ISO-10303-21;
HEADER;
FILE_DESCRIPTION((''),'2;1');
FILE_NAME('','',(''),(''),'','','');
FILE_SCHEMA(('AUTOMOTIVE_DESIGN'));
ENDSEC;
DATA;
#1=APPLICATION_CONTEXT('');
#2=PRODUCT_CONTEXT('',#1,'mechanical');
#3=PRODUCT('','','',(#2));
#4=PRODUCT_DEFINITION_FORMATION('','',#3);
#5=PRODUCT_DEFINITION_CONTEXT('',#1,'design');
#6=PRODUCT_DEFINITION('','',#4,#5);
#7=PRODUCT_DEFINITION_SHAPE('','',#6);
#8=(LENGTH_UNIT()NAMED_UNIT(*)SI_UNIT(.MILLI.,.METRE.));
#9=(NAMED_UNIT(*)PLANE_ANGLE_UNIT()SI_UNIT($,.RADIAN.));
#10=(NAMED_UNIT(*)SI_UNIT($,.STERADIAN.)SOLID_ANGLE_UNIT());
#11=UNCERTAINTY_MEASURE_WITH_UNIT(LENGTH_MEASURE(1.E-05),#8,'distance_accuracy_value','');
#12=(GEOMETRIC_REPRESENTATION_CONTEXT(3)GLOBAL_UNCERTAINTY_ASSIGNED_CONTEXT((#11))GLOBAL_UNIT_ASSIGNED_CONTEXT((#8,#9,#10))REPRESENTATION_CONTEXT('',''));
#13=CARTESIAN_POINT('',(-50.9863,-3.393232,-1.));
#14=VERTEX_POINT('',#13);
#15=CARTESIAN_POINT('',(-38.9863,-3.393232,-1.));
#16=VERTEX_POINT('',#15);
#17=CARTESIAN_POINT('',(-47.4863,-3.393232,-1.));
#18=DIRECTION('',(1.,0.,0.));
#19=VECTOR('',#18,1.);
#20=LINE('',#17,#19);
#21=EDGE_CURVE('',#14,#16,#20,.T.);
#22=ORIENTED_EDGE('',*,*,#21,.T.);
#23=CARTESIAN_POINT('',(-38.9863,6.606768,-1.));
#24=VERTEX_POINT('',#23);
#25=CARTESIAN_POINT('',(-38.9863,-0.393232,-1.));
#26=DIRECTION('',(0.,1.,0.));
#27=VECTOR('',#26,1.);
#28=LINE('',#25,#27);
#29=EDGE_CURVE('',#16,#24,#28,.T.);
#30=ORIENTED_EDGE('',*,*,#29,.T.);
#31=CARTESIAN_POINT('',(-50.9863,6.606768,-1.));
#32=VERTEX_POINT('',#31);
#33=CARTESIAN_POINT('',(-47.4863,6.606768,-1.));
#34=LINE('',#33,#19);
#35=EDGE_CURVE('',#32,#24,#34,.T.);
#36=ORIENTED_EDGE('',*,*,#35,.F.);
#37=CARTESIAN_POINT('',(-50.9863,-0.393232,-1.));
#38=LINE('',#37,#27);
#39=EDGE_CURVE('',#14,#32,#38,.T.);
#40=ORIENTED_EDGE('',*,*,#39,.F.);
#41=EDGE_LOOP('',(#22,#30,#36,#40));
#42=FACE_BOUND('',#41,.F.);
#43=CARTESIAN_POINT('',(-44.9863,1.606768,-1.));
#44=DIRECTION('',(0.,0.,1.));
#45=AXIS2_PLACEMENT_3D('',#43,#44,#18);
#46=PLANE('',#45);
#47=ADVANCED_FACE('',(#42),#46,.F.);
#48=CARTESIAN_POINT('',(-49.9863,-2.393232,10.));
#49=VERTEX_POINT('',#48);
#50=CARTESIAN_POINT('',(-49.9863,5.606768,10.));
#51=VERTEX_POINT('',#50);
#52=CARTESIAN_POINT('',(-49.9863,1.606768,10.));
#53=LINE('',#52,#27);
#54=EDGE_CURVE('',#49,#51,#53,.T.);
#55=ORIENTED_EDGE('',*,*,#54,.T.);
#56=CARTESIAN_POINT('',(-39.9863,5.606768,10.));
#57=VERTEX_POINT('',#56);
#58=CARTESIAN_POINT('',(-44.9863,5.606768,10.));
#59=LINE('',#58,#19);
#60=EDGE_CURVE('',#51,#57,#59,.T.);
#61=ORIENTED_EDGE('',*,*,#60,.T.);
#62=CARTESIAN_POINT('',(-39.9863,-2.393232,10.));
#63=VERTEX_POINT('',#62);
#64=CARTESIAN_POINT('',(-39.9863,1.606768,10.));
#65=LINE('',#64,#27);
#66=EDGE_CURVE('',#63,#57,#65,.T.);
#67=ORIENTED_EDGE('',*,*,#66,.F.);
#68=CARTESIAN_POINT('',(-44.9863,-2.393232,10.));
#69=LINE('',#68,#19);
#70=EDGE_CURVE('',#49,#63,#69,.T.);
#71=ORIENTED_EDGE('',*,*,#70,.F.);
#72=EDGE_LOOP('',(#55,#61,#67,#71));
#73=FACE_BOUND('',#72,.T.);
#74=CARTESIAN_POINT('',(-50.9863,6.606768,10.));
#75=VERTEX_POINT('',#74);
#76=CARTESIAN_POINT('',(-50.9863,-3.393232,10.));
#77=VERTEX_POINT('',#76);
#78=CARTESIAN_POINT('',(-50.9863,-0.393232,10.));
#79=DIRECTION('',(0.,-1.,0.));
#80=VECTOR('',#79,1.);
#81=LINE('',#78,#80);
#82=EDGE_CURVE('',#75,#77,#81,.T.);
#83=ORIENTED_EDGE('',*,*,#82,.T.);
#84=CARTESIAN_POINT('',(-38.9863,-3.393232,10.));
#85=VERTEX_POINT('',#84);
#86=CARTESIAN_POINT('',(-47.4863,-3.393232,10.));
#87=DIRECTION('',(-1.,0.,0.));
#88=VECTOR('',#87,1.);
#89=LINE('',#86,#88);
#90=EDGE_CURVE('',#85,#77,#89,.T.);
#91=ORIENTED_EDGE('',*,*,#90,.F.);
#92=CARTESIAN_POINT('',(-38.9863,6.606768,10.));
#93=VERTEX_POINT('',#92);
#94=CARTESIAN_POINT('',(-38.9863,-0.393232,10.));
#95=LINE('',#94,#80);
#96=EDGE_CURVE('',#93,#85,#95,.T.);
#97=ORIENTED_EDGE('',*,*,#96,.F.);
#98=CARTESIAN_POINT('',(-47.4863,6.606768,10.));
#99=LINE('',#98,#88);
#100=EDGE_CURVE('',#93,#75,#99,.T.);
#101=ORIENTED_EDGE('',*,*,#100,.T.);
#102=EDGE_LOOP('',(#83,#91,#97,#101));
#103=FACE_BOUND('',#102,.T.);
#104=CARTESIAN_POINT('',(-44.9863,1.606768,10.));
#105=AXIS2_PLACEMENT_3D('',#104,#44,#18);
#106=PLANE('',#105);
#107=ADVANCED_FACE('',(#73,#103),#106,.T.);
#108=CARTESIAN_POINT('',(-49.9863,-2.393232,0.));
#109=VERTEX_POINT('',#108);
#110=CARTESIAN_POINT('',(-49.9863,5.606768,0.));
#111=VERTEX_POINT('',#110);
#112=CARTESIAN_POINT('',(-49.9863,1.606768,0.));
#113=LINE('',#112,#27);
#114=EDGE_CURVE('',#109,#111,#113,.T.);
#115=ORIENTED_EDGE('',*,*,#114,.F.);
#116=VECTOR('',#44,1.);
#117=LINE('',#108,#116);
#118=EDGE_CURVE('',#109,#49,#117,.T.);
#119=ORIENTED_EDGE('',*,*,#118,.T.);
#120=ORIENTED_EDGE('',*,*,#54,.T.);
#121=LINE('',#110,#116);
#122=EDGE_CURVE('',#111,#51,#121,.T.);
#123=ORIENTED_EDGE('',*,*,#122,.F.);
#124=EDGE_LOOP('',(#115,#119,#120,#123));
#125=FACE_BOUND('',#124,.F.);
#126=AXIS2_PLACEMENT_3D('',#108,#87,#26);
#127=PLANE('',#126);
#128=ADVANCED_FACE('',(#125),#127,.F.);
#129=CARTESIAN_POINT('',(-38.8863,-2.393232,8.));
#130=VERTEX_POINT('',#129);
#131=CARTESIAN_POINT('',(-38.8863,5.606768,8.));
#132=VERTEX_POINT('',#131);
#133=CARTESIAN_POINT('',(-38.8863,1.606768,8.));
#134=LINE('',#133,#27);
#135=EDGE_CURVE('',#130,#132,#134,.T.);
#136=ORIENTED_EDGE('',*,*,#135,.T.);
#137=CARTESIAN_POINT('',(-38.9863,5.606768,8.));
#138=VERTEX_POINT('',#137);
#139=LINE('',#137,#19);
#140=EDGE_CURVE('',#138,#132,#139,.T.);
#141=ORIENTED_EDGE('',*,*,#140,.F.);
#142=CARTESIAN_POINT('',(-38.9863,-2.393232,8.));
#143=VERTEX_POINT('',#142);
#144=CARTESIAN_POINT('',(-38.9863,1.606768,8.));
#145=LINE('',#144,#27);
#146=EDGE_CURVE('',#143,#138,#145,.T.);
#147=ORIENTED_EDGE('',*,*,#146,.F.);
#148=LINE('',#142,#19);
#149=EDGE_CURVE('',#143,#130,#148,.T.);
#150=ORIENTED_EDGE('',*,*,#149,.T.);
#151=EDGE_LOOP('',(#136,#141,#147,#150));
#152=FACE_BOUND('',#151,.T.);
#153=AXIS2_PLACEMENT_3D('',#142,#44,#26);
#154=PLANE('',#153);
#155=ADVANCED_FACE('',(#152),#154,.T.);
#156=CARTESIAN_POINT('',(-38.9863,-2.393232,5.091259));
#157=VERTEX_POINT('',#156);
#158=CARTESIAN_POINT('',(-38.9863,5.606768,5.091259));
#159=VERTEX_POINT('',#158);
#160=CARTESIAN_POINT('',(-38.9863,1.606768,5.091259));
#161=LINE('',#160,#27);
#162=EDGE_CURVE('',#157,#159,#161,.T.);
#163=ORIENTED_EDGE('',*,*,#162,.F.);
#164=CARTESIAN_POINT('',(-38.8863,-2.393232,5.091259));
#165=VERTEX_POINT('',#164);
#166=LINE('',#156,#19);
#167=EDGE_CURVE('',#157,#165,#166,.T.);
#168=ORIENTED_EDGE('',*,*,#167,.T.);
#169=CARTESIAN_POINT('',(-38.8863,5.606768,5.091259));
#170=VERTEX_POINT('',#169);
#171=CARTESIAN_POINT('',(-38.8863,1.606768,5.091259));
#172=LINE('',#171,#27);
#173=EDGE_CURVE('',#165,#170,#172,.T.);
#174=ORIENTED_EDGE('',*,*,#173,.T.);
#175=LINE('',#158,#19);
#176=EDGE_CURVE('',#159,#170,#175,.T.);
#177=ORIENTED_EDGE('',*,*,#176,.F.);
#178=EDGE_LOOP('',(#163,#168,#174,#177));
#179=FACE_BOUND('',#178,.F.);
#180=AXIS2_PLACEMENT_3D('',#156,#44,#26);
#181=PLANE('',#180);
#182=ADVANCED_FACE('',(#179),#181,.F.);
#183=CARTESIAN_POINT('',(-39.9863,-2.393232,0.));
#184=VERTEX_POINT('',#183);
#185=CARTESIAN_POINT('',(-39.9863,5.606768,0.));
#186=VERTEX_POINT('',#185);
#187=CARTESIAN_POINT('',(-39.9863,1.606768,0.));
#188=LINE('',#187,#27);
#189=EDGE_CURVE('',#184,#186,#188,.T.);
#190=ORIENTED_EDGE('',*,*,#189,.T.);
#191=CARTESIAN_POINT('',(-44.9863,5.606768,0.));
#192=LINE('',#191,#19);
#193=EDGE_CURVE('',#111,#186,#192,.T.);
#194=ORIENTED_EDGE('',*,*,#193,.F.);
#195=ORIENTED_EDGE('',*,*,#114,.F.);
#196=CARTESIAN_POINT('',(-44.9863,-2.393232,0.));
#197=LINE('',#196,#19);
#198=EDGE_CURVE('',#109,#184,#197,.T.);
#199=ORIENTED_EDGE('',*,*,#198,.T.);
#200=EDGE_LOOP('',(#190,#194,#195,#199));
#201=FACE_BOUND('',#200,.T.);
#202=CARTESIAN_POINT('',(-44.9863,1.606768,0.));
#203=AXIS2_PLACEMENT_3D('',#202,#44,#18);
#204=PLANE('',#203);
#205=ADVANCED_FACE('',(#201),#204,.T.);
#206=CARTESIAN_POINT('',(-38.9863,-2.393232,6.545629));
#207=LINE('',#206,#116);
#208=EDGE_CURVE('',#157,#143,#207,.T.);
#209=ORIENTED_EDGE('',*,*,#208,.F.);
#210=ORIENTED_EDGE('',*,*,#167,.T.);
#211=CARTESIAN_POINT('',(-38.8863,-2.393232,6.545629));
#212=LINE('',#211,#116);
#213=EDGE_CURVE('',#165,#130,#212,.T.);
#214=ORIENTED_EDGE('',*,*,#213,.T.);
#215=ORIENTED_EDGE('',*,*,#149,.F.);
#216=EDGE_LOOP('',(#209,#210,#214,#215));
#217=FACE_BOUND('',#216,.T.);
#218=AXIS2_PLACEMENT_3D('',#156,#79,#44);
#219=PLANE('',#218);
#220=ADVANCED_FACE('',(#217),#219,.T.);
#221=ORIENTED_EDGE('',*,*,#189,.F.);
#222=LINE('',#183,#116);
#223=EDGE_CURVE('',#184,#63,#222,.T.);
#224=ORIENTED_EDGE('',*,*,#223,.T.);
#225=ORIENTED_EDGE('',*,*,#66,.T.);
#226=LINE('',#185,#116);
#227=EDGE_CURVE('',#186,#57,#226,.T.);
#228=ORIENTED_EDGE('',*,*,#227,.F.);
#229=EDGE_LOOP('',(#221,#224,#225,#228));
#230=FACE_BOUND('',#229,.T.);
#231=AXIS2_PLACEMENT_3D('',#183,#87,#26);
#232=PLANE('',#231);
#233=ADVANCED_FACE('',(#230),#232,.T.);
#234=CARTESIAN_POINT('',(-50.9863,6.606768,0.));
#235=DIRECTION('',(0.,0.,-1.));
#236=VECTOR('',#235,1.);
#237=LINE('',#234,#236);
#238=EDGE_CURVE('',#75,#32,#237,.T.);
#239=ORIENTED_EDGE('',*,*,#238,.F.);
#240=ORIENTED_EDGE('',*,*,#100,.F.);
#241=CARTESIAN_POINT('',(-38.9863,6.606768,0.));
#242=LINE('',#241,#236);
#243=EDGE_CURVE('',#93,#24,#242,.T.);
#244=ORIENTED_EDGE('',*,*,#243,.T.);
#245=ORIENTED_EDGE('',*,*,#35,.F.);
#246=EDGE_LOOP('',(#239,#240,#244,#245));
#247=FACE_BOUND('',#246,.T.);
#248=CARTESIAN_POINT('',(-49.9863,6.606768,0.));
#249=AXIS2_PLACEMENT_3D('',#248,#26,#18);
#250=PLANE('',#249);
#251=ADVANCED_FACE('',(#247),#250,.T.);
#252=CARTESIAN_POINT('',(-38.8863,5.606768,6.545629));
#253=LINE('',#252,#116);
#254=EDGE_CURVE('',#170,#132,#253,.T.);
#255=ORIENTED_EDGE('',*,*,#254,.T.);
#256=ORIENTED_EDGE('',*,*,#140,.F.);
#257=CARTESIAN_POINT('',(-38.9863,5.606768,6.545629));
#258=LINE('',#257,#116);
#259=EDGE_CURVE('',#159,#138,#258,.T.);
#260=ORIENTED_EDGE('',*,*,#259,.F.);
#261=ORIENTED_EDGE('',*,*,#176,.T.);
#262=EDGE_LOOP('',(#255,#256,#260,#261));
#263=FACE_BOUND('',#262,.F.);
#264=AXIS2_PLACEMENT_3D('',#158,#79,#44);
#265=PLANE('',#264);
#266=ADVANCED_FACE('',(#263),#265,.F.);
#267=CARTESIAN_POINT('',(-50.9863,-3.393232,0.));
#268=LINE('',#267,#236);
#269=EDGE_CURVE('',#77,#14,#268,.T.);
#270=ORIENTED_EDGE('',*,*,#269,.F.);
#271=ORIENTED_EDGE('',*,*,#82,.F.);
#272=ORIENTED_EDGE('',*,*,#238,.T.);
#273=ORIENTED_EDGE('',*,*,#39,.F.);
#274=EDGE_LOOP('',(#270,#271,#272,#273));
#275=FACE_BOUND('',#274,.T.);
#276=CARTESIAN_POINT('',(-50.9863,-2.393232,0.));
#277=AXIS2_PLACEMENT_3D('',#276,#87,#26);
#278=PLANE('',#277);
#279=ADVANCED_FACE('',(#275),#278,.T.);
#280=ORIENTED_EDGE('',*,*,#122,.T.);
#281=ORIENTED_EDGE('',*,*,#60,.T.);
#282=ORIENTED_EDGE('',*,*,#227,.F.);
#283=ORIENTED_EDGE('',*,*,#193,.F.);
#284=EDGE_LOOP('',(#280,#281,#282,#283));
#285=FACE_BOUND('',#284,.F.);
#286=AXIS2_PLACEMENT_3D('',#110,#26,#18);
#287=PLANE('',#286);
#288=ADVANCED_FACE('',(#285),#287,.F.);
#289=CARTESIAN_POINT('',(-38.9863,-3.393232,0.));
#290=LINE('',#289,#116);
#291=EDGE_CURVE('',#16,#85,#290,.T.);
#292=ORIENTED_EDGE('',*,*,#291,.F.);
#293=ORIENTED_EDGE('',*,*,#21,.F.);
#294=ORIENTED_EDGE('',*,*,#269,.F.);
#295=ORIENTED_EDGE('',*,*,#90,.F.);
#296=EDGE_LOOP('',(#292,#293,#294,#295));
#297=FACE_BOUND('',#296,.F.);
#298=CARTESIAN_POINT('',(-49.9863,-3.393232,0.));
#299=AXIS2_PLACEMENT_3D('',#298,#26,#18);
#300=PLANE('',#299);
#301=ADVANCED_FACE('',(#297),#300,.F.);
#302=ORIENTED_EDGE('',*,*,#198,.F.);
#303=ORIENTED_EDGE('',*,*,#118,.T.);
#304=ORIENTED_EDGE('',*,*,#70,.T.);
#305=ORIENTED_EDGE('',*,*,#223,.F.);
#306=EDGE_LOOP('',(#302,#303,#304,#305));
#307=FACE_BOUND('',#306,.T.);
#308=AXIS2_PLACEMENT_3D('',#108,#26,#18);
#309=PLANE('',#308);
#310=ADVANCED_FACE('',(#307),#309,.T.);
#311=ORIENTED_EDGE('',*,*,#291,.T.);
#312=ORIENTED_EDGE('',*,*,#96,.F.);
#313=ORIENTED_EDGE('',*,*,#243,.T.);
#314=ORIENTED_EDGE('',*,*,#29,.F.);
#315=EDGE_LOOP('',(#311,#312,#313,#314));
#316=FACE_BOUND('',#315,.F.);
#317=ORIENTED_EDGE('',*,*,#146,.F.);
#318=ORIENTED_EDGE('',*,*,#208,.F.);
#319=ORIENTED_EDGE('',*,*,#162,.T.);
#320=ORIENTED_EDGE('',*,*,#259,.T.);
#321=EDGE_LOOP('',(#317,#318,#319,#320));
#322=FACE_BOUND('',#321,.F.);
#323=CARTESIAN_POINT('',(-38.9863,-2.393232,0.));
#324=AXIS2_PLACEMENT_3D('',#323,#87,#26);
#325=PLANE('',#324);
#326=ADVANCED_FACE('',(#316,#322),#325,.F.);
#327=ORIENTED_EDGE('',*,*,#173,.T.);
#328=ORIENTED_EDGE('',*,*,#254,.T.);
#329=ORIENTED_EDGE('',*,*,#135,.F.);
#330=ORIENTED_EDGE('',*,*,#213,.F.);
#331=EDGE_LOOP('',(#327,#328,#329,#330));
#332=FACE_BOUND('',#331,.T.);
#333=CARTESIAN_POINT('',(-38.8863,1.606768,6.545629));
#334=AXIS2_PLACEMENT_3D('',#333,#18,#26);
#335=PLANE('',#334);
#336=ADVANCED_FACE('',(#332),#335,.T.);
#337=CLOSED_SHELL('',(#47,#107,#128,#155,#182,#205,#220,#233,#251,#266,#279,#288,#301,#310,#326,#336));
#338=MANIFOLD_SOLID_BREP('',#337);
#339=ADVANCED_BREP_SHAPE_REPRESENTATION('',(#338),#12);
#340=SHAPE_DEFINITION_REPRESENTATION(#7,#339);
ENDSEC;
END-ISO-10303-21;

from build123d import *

# Parameters (mm, degrees)
F0_W     = 10
F0_H     = 8
F1_DEPTH = 10
F2_T     = 1
F3_W     = 8
F3_H     = 2.908741124
F4_DEPTH = 0.1


with BuildPart() as f1:
    # F0 (on Top) → F1 (new body)
    with BuildSketch(Plane.XY):
        with Locations((-44.9863001704, 1.6067679121)):
            Rectangle(F0_W, F0_H)
    extrude(amount=F1_DEPTH)

    # F2
    f2_openings = [f1.faces().sort_by_distance(p)[0] for p in [
        (-44.9863, 1.606768, 10),
    ]]
    offset(amount=F2_T, openings=f2_openings, kind=Kind.INTERSECTION)

    # F3 (on face) → F4 (join)
    with BuildSketch(Plane.YZ.offset(-38.9863001704)):
        with Locations((1.6067679121, 6.545629438)):
            Rectangle(F3_W, F3_H)
    extrude(amount=F4_DEPTH)


solid = f1.part
